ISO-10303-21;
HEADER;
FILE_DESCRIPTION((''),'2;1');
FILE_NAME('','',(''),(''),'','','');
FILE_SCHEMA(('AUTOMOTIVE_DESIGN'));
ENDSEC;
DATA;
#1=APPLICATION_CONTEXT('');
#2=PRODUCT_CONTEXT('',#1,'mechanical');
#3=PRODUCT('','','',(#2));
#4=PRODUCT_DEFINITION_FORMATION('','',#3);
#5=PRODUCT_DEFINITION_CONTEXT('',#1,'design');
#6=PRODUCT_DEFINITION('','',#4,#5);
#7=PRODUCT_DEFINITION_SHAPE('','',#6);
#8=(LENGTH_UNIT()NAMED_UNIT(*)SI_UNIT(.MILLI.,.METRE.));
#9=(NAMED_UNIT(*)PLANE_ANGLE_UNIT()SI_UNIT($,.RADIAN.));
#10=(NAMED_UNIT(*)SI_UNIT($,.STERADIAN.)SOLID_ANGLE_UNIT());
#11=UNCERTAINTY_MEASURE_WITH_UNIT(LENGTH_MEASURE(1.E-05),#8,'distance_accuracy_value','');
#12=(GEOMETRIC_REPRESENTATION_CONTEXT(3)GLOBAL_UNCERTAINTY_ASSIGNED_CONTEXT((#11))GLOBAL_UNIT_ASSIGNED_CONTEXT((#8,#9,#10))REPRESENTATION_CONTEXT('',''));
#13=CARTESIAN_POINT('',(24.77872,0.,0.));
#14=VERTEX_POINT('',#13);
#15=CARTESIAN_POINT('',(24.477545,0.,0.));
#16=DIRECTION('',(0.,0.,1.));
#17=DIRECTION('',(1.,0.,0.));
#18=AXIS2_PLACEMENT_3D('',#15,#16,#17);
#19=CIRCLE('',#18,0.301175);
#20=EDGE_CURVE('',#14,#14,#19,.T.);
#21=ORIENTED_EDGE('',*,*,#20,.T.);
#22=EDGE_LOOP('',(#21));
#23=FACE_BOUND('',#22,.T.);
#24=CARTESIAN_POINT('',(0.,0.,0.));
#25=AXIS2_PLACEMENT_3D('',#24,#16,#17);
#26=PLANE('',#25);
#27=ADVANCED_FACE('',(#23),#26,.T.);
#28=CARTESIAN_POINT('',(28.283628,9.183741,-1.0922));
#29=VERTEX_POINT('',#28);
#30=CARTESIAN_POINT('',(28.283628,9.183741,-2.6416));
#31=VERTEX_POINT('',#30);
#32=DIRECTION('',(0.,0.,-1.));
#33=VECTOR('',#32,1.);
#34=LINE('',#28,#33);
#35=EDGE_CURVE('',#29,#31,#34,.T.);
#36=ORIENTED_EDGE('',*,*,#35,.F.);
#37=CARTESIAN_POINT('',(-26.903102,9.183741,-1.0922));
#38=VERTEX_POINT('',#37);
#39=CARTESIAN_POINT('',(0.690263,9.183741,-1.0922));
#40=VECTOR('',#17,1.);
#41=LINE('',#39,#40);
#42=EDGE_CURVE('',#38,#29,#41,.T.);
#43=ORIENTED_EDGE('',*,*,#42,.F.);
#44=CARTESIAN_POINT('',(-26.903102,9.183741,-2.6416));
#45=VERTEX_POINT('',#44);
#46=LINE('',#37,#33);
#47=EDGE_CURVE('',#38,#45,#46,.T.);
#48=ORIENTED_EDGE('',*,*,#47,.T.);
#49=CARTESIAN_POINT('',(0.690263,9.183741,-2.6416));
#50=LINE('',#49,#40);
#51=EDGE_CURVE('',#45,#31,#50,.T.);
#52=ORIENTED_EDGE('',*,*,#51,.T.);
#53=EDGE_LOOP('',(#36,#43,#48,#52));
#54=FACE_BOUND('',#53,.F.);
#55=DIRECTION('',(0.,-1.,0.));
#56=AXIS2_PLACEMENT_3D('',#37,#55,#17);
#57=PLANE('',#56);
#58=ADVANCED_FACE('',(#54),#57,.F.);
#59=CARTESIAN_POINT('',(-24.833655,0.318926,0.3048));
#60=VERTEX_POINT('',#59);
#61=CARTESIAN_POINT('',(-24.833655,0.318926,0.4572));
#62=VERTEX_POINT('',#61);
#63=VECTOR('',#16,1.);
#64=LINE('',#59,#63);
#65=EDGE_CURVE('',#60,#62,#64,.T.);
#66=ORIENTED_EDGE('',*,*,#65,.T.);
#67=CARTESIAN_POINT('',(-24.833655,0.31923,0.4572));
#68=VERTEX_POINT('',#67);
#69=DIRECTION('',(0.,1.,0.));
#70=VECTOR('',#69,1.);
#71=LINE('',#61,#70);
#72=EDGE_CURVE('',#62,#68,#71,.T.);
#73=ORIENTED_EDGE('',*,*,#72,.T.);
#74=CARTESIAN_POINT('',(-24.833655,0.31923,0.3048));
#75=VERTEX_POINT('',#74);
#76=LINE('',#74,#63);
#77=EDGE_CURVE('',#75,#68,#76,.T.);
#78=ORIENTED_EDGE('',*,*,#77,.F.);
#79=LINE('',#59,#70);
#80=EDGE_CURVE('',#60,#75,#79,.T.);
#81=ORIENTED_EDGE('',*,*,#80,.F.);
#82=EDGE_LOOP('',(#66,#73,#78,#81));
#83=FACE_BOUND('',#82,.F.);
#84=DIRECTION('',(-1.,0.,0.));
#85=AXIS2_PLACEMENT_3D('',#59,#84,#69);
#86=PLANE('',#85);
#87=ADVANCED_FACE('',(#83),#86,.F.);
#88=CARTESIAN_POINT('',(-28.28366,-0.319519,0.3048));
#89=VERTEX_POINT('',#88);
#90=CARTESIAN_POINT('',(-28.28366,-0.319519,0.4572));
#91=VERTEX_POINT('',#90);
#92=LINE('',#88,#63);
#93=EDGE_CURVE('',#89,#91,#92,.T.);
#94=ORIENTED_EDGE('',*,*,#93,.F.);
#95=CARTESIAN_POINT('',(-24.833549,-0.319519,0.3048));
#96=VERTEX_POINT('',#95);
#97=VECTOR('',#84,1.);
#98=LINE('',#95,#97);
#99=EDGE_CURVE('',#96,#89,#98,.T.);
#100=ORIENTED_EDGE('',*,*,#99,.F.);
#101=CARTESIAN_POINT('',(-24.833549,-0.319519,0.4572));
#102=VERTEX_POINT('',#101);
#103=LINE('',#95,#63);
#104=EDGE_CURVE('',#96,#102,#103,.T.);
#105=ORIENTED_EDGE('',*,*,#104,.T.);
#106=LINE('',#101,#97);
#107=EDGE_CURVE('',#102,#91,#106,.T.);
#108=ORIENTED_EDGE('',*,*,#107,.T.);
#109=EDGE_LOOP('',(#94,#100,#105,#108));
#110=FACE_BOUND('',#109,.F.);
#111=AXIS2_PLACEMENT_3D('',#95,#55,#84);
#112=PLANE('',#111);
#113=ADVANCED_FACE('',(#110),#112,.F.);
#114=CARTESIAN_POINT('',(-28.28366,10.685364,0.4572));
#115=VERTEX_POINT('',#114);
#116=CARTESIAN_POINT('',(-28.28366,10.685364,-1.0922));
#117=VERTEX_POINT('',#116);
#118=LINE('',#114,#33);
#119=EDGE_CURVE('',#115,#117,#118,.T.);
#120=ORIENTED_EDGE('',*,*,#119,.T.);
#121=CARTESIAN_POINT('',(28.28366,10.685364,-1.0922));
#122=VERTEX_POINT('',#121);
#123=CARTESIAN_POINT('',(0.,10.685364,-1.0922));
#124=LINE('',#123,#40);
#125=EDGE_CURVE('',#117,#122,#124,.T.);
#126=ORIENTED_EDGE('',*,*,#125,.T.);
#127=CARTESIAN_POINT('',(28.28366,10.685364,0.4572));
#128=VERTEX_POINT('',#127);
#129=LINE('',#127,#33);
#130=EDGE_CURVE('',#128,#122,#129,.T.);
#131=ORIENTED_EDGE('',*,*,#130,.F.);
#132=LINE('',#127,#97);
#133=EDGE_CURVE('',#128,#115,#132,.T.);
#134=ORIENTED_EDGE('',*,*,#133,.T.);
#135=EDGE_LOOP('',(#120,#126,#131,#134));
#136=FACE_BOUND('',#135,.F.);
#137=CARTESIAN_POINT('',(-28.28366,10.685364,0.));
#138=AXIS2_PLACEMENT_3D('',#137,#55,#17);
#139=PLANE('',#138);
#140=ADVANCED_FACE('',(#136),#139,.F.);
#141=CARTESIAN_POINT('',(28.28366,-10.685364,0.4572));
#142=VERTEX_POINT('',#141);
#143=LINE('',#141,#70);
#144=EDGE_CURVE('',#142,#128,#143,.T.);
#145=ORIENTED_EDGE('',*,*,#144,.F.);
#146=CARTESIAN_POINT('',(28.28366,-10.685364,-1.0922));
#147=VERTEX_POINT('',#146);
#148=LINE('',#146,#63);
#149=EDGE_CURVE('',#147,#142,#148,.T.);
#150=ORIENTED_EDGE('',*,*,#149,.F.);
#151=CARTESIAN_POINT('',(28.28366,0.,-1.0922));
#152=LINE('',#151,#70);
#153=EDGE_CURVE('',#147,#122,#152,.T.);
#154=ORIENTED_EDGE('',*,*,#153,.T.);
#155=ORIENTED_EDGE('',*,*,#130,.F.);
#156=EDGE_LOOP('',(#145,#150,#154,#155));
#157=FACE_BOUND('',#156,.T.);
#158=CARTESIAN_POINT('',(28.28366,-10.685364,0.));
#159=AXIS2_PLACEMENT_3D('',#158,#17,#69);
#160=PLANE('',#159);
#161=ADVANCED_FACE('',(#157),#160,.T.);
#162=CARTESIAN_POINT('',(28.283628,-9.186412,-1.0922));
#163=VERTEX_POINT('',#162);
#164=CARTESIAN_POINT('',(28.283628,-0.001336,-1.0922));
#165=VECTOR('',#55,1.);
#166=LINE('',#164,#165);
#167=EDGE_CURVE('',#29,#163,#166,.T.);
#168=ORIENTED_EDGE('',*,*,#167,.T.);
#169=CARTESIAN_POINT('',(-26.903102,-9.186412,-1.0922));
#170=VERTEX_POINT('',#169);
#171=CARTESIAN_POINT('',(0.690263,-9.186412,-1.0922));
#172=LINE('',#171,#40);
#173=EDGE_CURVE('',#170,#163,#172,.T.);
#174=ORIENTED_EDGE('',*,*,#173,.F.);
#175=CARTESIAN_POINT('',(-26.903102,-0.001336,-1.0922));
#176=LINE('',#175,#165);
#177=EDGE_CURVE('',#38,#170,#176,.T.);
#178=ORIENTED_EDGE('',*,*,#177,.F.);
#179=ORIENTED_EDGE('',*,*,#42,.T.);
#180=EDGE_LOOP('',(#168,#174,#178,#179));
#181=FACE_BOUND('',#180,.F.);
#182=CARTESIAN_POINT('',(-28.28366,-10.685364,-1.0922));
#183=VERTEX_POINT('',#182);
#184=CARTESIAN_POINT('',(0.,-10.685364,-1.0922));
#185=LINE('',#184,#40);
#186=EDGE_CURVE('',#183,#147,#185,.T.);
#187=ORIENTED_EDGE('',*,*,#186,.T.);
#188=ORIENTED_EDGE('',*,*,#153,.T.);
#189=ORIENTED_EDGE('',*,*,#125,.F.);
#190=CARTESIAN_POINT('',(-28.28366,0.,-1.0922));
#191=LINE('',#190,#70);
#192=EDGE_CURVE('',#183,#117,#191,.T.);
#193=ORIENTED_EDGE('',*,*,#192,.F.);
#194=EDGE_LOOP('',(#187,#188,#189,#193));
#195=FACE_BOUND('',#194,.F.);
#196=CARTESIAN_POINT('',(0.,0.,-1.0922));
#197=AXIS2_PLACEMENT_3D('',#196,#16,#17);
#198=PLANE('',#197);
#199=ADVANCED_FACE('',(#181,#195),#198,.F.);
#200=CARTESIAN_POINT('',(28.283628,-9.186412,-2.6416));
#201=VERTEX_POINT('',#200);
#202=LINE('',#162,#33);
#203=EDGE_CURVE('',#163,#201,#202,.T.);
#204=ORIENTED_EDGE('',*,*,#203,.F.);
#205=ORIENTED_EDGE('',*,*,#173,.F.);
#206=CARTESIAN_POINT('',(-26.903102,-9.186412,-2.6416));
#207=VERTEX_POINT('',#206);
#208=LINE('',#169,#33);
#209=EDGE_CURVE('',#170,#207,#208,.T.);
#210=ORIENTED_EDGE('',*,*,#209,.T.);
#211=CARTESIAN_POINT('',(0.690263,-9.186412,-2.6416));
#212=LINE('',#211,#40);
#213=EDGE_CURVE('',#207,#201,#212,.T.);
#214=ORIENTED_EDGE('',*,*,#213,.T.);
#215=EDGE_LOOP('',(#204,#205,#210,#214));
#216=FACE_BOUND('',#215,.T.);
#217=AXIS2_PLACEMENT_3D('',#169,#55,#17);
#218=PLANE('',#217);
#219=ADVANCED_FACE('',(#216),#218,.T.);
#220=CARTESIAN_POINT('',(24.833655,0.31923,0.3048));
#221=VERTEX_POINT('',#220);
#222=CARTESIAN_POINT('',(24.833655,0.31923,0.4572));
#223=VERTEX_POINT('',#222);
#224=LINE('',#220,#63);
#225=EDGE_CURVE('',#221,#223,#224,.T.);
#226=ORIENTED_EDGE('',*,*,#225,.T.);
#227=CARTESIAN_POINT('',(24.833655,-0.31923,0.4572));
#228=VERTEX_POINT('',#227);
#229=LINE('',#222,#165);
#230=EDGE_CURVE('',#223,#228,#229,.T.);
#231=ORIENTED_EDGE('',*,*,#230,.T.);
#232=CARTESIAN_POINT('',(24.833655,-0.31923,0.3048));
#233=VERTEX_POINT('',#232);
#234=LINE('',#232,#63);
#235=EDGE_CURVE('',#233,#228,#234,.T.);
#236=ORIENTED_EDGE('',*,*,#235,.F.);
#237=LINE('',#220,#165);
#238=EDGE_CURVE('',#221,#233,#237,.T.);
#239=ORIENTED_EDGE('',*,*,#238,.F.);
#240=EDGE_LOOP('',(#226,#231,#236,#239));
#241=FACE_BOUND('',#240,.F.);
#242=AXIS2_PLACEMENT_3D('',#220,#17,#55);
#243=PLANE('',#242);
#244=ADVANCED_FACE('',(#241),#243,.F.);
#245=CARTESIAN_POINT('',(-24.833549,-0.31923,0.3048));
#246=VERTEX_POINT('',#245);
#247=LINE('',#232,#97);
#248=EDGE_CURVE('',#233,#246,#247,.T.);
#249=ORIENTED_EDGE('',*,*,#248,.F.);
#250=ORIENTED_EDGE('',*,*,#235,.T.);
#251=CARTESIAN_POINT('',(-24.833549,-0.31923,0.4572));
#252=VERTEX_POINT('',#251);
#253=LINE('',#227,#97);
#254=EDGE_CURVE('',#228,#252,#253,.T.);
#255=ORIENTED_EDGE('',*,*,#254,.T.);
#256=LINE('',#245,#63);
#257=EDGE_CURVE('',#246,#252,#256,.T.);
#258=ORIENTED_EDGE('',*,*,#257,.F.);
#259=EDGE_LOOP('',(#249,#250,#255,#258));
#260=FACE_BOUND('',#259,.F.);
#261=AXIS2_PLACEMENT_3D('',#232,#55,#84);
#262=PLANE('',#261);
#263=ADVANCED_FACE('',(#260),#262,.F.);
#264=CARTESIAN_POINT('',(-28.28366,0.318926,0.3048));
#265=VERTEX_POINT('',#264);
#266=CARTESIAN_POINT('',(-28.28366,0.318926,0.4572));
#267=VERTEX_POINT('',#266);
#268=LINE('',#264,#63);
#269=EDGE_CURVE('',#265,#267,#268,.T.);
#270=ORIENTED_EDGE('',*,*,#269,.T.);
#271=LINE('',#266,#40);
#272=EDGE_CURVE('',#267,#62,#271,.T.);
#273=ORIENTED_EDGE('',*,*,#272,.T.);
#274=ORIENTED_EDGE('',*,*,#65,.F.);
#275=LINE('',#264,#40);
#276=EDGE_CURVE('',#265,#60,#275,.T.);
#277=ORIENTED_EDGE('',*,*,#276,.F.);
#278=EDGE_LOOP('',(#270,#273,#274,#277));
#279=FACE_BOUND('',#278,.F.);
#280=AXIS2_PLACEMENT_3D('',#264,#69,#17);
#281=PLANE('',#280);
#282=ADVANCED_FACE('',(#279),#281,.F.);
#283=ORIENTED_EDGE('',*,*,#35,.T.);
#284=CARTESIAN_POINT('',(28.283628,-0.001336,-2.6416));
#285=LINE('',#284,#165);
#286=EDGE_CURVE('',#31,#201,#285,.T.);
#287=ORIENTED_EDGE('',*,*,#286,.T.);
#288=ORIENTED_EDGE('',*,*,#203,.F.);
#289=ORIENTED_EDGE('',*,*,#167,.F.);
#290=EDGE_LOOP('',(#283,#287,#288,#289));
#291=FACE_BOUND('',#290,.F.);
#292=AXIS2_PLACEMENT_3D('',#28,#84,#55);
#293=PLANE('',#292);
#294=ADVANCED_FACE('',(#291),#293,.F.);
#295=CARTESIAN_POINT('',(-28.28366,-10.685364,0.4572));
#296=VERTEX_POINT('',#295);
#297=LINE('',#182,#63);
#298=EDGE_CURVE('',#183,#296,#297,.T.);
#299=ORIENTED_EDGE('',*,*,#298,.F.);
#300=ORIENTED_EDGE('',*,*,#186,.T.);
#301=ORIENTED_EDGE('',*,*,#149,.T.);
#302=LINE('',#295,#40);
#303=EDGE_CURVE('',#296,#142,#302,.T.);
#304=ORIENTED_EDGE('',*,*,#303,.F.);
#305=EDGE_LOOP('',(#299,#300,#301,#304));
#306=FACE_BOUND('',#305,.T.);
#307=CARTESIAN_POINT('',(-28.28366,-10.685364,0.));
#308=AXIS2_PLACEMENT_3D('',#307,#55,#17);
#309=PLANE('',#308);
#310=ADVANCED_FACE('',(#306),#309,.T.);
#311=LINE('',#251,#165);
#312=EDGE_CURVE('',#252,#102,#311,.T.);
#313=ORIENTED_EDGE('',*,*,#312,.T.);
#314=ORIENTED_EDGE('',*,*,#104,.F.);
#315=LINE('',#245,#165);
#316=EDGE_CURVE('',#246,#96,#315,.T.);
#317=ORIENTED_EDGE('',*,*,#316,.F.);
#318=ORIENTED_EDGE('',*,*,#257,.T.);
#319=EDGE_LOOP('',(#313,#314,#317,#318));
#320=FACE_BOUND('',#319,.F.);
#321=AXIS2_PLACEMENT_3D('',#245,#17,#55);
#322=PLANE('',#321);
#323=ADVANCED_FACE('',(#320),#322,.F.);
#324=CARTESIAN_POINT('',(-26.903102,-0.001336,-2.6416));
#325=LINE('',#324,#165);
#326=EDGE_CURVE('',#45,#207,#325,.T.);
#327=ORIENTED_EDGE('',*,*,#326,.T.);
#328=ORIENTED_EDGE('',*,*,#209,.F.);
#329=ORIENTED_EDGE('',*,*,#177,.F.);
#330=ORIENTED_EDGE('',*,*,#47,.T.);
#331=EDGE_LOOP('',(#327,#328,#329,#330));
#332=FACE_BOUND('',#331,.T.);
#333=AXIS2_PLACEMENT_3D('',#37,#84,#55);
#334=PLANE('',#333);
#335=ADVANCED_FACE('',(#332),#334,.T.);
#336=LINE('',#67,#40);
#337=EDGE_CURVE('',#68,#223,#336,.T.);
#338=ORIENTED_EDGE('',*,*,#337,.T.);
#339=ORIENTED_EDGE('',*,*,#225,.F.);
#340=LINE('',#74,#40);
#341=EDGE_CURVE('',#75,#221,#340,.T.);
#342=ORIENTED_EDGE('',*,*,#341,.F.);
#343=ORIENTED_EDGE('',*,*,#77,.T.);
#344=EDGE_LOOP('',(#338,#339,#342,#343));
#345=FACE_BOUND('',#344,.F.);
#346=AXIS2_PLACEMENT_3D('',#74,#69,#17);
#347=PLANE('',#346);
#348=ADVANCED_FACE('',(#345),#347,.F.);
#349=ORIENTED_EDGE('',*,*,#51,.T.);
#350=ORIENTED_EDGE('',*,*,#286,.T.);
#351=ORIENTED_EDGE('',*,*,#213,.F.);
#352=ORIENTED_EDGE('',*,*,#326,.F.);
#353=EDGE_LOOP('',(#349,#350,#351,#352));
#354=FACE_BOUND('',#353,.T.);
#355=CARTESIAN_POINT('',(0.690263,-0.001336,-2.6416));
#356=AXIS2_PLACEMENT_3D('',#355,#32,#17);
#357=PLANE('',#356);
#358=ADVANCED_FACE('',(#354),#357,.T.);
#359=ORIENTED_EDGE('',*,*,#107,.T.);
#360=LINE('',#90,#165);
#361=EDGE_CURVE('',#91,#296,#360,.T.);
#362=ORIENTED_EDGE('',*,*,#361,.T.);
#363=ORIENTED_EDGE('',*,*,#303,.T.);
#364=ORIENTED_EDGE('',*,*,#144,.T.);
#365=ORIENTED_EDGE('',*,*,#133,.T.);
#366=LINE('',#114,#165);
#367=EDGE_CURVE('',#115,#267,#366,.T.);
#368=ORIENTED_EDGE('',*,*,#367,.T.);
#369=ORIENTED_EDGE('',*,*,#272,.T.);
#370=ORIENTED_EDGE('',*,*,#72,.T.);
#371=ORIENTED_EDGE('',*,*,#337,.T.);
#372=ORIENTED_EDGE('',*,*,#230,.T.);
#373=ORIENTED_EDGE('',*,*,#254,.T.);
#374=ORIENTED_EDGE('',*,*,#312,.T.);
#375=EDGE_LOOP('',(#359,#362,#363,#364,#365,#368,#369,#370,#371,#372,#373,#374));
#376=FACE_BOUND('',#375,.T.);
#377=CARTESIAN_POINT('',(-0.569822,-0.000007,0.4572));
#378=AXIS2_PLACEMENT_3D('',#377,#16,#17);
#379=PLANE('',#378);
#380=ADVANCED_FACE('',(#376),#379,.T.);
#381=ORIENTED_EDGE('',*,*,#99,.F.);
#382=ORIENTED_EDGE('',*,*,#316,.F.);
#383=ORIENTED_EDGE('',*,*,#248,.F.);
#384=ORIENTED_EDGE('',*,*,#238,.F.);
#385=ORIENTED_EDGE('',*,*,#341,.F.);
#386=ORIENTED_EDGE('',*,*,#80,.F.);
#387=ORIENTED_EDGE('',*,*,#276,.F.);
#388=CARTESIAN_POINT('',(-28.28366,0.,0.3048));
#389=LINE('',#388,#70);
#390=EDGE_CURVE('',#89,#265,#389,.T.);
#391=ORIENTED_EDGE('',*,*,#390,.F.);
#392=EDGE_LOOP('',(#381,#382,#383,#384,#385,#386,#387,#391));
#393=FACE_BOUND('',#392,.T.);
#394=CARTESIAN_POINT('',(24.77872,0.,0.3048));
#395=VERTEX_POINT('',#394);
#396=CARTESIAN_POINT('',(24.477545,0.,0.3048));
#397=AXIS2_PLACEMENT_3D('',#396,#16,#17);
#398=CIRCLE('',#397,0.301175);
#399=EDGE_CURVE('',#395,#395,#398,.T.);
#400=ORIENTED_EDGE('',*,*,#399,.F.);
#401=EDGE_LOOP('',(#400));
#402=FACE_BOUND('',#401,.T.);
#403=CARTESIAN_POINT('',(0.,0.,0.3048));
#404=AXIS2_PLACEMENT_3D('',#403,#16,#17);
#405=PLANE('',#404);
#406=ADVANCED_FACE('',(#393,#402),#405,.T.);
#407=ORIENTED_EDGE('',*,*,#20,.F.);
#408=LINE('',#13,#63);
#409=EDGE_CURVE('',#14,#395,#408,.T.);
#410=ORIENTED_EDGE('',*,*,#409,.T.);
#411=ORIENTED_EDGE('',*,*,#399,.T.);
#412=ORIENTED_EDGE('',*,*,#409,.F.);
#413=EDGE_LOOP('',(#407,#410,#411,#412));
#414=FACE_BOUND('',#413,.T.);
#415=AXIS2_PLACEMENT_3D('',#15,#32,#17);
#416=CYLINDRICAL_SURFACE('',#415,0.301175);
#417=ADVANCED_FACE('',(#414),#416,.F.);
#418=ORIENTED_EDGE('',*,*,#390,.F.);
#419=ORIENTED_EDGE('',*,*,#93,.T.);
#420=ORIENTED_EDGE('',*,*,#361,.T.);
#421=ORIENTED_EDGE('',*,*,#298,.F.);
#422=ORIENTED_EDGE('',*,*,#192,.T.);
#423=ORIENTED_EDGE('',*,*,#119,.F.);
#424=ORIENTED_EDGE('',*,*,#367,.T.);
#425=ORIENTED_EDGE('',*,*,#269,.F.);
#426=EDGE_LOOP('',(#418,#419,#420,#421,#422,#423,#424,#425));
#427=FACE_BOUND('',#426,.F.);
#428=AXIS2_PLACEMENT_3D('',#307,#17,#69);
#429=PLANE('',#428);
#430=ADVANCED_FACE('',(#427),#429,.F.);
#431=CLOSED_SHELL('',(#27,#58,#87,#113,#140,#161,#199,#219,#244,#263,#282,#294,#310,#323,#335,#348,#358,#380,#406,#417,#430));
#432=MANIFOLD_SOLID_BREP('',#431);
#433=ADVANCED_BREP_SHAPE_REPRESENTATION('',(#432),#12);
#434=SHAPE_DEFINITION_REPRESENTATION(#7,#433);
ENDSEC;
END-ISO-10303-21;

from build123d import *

# Parameters (mm, degrees)
F6_W     = 56.56732
F6_H     = 21.370728
F6_R     = 0.301175
F7_DEPTH = 0.3048
F8_DEPTH = 0.1524
F5_W     = 56.56732
F5_H     = 21.370728
F9_DEPTH = 1.0922
F3_W     = 55.18673
F3_H     = 18.370153
F4_DEPTH = 1.5494


with BuildPart() as f7:
    # F6 (on face) → F7 (new body)
    with BuildSketch(Plane.XY):
        Rectangle(F6_W, F6_H)
        with Locations((24.477545, 0)):
            Circle(F6_R, mode=Mode.SUBTRACT)
    extrude(amount=F7_DEPTH)

    # F1 (on face) → F8 (join)
    with BuildSketch(Plane.XY.offset(0.3048)):
        Polygon((-24.833549, -0.31923), (-24.833549, -0.319519), (-28.28366, -0.319519), (-28.28366, -10.685364), (28.28366, -10.685364), (28.28366, 10.685364), (-28.28366, 10.685364), (-28.28366, 0.318926), (-24.833655, 0.318926), (-24.833655, 0.31923), (24.833655, 0.31923), (24.833655, -0.31923), align=None)
    extrude(amount=F8_DEPTH)

    # F5 (on Top) → F9 (join)
    with BuildSketch(Plane.XY):
        Rectangle(F5_W, F5_H)
    extrude(amount=-F9_DEPTH)

    # F3 (on face) → F4 (join)
    with BuildSketch(Plane(origin=(0, 0, -1.0922), x_dir=(1, 0, 0), z_dir=(0, 0, -1))):
        with Locations((0.690263, 0.001336)):
            Rectangle(F3_W, F3_H)
    extrude(amount=F4_DEPTH)


solid = f7.part
